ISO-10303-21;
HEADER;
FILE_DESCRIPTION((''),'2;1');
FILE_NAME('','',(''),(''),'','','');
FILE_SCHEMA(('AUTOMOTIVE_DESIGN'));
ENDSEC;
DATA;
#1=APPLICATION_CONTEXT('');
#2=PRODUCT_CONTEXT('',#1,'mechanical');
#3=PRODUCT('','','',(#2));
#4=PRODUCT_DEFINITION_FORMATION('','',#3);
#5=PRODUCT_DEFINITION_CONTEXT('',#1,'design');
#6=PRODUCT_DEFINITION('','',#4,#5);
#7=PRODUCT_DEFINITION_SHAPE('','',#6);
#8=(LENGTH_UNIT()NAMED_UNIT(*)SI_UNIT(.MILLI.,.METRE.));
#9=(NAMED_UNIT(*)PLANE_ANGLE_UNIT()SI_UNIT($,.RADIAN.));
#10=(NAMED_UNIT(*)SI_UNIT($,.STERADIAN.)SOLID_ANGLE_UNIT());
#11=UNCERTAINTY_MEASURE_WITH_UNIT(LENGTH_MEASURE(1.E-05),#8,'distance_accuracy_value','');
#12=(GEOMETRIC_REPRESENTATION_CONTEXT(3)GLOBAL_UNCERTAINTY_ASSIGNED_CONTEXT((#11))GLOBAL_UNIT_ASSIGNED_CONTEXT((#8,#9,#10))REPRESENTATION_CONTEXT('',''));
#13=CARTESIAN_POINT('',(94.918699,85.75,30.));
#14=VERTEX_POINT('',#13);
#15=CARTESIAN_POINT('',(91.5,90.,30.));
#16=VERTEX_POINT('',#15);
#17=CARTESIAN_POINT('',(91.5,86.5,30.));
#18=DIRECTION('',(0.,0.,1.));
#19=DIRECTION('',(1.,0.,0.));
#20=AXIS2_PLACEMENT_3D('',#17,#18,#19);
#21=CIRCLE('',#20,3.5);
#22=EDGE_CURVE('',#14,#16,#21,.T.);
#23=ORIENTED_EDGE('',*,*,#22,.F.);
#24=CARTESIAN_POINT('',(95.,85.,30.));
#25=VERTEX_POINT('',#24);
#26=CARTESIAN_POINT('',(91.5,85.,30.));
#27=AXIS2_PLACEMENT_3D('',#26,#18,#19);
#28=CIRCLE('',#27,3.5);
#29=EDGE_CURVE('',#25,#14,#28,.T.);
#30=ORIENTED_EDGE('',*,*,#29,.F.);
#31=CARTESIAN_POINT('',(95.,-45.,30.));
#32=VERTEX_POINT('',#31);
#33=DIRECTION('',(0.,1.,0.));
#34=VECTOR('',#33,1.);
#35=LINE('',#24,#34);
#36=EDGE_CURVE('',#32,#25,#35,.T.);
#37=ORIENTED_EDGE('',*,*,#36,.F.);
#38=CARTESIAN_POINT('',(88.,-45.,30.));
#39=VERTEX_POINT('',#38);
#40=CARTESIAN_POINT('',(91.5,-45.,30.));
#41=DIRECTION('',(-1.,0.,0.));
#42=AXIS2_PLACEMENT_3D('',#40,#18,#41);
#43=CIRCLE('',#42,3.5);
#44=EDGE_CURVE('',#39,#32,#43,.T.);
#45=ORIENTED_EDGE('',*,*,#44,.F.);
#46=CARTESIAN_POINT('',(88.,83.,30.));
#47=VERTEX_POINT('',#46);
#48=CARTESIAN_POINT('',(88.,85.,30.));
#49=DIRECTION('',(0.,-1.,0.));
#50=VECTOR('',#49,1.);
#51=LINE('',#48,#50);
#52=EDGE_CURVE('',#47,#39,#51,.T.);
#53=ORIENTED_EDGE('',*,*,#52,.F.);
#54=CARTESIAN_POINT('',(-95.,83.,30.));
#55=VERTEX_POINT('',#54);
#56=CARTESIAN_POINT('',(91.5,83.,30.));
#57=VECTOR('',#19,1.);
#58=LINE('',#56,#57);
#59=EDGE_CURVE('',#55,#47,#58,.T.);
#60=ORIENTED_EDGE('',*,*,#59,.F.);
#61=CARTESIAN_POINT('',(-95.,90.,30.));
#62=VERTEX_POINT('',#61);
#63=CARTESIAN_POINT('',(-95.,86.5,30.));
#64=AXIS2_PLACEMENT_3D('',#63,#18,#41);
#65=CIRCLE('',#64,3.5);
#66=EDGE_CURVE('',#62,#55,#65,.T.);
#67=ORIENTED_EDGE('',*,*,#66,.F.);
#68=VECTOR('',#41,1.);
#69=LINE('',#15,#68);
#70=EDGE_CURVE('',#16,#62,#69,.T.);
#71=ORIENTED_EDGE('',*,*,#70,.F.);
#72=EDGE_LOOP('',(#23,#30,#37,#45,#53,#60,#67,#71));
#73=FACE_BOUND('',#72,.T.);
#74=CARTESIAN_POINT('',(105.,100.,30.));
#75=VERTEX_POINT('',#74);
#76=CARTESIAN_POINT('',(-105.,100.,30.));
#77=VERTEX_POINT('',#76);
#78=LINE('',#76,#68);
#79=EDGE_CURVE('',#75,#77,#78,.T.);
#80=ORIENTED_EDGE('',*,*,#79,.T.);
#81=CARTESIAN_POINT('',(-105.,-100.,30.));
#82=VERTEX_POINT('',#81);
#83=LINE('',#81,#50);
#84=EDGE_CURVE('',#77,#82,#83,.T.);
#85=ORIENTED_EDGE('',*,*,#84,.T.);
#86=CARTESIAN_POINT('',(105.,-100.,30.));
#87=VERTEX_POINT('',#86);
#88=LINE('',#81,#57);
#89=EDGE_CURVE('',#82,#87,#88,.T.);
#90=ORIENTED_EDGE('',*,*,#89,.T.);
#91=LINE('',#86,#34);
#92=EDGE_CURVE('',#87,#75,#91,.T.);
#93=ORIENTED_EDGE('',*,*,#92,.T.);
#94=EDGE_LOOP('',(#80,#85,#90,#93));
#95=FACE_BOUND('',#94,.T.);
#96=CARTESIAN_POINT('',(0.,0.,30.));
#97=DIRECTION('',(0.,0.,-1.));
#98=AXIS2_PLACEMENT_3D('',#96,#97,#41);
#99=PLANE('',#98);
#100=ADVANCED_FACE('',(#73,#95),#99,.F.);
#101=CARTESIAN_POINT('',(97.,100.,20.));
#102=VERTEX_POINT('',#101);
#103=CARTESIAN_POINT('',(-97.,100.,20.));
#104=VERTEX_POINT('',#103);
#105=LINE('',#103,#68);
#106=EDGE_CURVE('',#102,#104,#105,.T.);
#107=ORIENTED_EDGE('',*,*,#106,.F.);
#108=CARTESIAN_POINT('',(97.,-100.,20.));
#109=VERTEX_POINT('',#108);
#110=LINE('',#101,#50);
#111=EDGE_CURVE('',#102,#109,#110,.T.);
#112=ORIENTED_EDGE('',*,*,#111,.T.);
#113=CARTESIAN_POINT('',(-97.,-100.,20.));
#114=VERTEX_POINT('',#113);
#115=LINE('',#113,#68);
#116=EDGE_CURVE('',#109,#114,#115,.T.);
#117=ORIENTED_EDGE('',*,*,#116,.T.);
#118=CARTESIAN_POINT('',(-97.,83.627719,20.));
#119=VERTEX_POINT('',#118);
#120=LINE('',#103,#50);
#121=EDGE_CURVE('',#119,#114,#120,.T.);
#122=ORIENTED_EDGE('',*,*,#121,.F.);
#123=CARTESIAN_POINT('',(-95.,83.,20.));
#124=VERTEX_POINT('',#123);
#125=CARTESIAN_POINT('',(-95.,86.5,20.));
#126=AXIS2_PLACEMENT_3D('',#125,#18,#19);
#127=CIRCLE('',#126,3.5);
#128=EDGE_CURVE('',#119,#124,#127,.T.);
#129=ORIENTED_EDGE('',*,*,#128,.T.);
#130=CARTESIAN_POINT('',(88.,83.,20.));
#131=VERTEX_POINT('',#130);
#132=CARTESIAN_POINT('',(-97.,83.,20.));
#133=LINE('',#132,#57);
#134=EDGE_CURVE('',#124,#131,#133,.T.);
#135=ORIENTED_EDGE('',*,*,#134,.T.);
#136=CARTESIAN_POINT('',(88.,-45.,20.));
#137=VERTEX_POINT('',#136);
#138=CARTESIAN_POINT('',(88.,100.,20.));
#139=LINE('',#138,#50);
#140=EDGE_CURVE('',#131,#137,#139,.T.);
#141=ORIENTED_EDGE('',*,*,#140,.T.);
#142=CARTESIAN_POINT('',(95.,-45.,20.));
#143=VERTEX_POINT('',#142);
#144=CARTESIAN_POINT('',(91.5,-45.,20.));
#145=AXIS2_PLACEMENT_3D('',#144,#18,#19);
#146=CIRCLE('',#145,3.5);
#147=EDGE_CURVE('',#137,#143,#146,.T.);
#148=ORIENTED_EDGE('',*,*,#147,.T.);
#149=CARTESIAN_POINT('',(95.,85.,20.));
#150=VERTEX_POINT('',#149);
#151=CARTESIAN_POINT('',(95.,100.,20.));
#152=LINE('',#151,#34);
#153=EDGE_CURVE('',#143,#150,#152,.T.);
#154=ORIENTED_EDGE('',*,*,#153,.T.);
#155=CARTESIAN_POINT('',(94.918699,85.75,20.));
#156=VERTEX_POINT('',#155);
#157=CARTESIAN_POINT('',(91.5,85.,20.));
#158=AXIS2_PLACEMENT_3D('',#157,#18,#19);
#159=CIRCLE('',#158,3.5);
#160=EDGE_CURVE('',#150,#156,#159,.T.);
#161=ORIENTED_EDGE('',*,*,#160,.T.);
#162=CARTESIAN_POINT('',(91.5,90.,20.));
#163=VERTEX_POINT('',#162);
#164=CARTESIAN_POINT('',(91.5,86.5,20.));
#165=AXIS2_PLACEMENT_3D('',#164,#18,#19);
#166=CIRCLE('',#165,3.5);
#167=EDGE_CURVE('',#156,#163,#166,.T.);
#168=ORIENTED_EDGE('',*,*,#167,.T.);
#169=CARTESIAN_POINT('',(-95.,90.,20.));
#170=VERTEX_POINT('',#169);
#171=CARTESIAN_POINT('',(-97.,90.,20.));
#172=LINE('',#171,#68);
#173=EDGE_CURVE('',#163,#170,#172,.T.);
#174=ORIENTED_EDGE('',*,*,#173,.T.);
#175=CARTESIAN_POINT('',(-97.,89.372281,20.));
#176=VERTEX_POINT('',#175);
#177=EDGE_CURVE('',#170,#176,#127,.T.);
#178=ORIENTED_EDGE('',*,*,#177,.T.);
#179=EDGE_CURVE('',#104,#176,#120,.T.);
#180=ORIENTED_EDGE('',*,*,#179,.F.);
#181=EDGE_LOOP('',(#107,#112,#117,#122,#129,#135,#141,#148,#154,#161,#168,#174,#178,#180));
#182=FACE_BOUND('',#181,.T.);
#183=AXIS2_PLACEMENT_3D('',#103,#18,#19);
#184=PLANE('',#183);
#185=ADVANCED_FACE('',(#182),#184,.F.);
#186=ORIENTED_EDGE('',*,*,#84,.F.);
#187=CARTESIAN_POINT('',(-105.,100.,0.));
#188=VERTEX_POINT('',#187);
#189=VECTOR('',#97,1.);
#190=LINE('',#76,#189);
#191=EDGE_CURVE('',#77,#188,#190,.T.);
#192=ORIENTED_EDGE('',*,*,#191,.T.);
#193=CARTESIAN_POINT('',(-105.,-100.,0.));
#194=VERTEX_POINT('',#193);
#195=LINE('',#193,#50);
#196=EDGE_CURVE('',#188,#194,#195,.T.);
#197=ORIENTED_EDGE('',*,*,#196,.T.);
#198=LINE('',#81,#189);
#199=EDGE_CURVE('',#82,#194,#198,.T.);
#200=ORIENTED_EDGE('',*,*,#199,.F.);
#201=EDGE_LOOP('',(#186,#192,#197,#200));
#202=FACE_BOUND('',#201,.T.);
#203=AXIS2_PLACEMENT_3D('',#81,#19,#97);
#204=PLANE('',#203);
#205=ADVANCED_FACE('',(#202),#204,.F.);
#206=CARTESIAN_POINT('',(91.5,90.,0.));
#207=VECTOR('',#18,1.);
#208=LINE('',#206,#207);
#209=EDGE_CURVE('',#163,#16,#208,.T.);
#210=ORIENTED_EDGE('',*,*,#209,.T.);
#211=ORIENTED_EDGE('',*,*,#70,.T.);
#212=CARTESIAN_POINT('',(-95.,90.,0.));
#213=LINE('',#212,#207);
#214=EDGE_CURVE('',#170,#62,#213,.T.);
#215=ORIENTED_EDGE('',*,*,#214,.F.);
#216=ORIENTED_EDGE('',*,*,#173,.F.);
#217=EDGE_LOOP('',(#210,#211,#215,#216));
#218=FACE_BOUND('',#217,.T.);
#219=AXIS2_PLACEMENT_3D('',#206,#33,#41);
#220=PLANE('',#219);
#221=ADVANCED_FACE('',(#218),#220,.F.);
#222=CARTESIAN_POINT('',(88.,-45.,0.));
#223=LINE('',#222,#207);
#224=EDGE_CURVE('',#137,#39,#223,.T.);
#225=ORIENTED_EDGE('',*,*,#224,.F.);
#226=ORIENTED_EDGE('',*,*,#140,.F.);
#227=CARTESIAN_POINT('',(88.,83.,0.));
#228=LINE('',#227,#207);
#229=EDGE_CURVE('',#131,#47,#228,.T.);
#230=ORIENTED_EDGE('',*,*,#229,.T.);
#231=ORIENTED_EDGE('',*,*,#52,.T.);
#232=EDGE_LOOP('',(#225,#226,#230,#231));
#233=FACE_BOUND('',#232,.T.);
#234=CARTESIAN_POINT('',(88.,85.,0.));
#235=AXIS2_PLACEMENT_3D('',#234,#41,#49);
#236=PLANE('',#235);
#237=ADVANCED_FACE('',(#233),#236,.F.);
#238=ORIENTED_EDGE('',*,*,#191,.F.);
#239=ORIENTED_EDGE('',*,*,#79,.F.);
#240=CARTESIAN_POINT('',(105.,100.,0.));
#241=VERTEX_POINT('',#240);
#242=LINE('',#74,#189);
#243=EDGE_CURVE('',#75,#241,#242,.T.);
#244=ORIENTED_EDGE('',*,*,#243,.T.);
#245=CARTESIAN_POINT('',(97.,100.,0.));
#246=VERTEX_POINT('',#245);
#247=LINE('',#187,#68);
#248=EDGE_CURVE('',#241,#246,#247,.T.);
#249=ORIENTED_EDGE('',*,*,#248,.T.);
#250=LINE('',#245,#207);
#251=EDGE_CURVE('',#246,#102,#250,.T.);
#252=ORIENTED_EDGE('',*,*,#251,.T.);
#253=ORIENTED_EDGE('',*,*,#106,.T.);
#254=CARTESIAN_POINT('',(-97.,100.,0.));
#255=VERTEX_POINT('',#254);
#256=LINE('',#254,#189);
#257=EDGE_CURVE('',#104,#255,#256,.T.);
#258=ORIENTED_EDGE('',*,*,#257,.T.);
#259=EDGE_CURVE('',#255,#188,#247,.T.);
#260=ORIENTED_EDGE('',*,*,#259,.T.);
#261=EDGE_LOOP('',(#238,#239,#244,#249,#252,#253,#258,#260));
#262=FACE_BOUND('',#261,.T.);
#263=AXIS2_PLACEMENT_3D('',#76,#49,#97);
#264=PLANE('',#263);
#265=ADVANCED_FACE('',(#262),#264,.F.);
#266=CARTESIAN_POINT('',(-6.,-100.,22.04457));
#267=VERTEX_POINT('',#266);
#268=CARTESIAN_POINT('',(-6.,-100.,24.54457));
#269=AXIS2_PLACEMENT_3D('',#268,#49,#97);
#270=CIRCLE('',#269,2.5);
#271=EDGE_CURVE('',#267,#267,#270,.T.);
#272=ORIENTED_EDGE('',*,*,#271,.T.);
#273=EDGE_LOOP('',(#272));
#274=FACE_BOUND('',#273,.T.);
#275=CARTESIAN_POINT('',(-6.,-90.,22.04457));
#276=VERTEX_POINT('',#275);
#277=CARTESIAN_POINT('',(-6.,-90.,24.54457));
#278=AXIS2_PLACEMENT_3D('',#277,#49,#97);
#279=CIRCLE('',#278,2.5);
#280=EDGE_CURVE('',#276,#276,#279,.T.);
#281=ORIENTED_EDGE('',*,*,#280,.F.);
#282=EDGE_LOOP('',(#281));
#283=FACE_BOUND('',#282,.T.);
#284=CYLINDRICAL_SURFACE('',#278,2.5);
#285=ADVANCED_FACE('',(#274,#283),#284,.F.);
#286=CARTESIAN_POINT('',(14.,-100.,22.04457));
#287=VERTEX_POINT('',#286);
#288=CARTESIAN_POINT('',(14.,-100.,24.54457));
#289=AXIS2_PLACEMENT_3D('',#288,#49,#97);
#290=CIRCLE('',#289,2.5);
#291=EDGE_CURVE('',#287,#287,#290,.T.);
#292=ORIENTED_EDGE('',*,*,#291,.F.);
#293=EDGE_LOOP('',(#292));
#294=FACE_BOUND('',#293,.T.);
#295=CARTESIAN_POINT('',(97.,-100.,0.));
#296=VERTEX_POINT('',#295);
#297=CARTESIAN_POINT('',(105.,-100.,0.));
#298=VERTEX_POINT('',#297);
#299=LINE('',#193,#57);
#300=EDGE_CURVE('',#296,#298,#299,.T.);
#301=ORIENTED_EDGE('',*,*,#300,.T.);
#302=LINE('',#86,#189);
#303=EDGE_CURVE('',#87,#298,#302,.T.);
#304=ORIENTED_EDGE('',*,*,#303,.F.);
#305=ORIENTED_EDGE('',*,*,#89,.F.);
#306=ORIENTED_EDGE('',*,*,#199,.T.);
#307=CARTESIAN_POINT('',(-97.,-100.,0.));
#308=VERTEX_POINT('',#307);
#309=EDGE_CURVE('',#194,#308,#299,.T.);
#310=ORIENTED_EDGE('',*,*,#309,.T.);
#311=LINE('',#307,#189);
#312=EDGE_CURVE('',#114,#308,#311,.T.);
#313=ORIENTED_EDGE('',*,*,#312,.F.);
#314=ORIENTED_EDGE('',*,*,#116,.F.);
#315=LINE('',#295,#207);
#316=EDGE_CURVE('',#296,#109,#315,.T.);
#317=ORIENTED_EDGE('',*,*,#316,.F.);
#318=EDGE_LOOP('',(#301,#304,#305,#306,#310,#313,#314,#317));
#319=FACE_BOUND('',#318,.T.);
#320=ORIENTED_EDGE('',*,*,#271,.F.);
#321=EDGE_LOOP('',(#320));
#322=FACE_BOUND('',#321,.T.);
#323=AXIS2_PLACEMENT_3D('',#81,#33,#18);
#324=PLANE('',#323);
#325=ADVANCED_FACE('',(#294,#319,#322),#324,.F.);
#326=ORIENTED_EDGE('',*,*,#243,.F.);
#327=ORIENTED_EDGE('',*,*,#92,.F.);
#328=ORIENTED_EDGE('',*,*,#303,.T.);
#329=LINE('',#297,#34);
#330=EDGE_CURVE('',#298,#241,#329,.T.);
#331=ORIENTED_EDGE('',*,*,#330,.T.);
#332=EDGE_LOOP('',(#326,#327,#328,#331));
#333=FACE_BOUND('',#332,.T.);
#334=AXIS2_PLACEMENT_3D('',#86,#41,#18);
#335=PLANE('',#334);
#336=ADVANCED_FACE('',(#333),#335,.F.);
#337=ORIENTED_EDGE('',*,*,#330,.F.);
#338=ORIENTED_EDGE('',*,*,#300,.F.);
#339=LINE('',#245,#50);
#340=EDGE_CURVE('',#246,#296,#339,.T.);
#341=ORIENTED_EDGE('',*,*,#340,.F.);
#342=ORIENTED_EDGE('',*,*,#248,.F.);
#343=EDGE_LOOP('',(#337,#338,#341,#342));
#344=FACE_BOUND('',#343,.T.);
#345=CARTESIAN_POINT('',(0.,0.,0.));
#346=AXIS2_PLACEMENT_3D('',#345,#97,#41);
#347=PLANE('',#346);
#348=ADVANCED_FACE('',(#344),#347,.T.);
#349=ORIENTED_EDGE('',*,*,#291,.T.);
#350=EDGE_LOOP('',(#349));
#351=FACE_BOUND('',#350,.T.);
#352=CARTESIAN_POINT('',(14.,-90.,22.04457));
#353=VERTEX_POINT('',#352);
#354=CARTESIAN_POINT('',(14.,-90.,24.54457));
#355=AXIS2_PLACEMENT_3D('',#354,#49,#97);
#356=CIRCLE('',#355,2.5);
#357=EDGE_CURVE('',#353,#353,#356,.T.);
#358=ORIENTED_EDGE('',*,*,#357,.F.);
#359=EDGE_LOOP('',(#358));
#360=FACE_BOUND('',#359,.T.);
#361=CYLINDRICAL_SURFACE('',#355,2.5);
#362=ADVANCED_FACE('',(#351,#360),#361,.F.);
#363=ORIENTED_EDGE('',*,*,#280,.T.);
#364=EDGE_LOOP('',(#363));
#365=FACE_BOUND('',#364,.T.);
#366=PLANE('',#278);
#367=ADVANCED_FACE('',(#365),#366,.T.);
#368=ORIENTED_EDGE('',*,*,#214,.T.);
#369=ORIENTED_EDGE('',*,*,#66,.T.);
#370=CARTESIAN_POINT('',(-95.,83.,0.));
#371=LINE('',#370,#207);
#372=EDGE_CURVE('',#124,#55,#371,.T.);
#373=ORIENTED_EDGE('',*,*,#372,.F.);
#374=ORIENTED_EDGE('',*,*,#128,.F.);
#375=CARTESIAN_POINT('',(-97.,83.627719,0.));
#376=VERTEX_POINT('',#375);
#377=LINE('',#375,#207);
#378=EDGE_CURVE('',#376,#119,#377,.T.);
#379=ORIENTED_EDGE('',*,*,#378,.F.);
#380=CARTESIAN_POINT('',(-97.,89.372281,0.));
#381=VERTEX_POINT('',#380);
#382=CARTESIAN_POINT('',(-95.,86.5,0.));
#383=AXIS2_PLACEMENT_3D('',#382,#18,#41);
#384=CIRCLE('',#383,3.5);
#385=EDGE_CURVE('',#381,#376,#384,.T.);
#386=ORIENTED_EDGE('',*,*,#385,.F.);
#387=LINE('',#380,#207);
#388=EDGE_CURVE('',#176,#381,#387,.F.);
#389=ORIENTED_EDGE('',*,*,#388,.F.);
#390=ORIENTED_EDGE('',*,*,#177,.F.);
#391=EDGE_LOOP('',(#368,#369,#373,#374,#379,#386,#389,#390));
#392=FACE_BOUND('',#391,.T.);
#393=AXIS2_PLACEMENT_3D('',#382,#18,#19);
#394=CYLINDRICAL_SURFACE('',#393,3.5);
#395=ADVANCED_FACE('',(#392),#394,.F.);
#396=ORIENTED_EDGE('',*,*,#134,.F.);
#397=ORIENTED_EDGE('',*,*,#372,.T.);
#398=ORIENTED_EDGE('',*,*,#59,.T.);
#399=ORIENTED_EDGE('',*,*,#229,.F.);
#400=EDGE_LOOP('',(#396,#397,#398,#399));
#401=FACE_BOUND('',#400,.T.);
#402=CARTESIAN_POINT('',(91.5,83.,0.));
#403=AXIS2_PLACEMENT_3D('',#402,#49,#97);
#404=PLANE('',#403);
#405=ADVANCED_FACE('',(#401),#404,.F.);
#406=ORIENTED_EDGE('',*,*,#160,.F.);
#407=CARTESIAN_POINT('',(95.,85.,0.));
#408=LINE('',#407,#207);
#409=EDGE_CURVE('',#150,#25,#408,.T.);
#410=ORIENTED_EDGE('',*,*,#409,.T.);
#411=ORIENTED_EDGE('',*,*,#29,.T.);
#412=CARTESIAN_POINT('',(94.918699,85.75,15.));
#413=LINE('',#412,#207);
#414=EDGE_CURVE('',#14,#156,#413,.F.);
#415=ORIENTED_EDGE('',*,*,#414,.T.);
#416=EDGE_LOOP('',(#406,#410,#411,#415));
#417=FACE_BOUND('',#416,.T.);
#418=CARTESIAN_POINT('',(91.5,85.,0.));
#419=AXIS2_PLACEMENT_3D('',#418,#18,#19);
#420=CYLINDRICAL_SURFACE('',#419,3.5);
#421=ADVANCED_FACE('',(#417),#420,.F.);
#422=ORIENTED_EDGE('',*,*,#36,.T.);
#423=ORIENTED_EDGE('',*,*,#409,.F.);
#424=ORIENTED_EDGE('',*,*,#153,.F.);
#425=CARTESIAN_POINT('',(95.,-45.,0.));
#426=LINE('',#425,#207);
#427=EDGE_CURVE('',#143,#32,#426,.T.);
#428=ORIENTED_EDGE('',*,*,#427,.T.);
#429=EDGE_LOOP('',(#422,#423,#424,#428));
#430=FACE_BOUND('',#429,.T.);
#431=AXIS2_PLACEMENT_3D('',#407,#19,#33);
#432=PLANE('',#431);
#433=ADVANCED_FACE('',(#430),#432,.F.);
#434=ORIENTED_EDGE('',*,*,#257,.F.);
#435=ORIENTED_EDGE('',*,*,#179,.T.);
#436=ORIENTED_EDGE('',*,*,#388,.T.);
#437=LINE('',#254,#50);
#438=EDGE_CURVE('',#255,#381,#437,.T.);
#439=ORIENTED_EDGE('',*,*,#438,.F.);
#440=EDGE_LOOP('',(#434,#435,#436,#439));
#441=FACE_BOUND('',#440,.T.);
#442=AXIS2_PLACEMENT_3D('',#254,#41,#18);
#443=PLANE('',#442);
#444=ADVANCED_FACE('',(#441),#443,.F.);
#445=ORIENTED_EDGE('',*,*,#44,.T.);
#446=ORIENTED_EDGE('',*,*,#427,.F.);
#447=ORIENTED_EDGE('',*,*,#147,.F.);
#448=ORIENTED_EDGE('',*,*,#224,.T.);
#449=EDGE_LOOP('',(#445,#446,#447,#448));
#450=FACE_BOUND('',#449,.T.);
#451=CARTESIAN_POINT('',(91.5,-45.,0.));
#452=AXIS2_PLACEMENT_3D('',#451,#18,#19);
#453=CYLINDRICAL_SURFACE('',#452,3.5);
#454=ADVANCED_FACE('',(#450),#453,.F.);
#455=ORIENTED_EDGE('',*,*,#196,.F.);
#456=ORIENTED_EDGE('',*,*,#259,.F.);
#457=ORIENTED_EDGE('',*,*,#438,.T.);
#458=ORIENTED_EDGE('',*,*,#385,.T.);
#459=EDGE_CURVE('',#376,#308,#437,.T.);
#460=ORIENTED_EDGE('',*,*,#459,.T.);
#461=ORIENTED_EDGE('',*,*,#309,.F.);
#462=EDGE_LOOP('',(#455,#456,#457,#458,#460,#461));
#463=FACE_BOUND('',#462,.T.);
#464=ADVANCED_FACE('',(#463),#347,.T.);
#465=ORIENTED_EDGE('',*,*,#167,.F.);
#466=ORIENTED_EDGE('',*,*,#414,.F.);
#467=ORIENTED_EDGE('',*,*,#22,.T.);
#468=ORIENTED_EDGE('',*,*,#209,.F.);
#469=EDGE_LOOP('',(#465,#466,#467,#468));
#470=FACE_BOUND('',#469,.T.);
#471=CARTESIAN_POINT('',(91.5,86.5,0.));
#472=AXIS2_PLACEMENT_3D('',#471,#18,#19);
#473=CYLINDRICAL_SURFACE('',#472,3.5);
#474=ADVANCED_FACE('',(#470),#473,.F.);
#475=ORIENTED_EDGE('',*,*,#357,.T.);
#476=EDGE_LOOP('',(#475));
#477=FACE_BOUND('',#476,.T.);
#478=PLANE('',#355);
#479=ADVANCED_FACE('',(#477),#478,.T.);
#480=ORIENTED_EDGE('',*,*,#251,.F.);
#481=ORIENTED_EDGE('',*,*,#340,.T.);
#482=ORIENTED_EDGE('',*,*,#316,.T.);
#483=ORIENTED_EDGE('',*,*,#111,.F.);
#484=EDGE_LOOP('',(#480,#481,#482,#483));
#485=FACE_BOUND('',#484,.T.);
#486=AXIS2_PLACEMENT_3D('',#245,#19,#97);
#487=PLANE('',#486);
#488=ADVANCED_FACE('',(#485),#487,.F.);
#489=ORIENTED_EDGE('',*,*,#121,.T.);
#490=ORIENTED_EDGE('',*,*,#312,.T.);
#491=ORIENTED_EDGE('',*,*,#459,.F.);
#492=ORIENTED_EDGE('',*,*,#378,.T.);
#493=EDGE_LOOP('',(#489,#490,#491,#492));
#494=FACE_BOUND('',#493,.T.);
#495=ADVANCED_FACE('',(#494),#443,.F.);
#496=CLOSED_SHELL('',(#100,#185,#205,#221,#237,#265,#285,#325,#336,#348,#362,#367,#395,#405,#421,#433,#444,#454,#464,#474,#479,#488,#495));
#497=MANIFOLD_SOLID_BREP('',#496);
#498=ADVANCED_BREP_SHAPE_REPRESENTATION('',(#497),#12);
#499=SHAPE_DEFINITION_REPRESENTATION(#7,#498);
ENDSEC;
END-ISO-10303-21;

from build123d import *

# Parameters (mm, degrees)
SKETCH1_W           = 210
SKETCH1_H           = 200
BOSS_EXTRUDE1_DEPTH = 30
SKETCH2_W           = 194
SKETCH2_H           = 20
CUT_EXTRUDE1_DEPTH  = 228.870577302
CUT_EXTRUDE2_DEPTH  = 149.07092895
CUT_EXTRUDE3_DEPTH  = 149.07092895
SKETCH5_R           = 2.5
CUT_EXTRUDE4_DEPTH  = 10


with BuildPart() as part:
    # Sketch1 → Boss-Extrude1 (new body)
    with BuildSketch(Plane.XY):
        Rectangle(SKETCH1_W, SKETCH1_H)
    extrude(amount=BOSS_EXTRUDE1_DEPTH)

    # Sketch2 → Cut-Extrude1 (cut, through all)
    with BuildSketch(Plane(origin=(0, -100, 0), x_dir=(-1, 0, 0), z_dir=(0, -1, 0))):
        with Locations((0, -10)):
            Rectangle(SKETCH2_W, SKETCH2_H)
    extrude(amount=-CUT_EXTRUDE1_DEPTH, mode=Mode.SUBTRACT)

    # Sketch3 → Cut-Extrude2 (cut, through all)
    with BuildSketch(Plane.XY.offset(30)):
        with BuildLine():
            Line((88, 85), (88, -45))
            ThreePointArc((88, -45), (91.5, -48.5), (95, -45))
            Line((95, -45), (95, 85))
            ThreePointArc((95, 85), (91.5, 88.5), (88, 85))
        make_face()
    extrude(amount=-CUT_EXTRUDE2_DEPTH, mode=Mode.SUBTRACT)

    # Sketch4 → Cut-Extrude3 (cut, through all)
    with BuildSketch(Plane.XY.offset(30)):
        with BuildLine():
            Line((91.5, 83), (-95, 83))
            ThreePointArc((-95, 83), (-98.5, 86.5), (-95, 90))
            Line((-95, 90), (91.5, 90))
            ThreePointArc((91.5, 90), (95, 86.5), (91.5, 83))
        make_face()
    extrude(amount=-CUT_EXTRUDE3_DEPTH, mode=Mode.SUBTRACT)

    # Sketch5 → Cut-Extrude4 (cut)
    with BuildSketch(Plane.XZ.offset(100)):
        with Locations(Location((-6, 24.544570078, 0), (0, 0, 270))):
            Circle(SKETCH5_R)
        with Locations(Location((14, 24.544570078, 0), (0, 0, 270))):
            Circle(SKETCH5_R)
    extrude(amount=-CUT_EXTRUDE4_DEPTH, mode=Mode.SUBTRACT)


solid = part.part
